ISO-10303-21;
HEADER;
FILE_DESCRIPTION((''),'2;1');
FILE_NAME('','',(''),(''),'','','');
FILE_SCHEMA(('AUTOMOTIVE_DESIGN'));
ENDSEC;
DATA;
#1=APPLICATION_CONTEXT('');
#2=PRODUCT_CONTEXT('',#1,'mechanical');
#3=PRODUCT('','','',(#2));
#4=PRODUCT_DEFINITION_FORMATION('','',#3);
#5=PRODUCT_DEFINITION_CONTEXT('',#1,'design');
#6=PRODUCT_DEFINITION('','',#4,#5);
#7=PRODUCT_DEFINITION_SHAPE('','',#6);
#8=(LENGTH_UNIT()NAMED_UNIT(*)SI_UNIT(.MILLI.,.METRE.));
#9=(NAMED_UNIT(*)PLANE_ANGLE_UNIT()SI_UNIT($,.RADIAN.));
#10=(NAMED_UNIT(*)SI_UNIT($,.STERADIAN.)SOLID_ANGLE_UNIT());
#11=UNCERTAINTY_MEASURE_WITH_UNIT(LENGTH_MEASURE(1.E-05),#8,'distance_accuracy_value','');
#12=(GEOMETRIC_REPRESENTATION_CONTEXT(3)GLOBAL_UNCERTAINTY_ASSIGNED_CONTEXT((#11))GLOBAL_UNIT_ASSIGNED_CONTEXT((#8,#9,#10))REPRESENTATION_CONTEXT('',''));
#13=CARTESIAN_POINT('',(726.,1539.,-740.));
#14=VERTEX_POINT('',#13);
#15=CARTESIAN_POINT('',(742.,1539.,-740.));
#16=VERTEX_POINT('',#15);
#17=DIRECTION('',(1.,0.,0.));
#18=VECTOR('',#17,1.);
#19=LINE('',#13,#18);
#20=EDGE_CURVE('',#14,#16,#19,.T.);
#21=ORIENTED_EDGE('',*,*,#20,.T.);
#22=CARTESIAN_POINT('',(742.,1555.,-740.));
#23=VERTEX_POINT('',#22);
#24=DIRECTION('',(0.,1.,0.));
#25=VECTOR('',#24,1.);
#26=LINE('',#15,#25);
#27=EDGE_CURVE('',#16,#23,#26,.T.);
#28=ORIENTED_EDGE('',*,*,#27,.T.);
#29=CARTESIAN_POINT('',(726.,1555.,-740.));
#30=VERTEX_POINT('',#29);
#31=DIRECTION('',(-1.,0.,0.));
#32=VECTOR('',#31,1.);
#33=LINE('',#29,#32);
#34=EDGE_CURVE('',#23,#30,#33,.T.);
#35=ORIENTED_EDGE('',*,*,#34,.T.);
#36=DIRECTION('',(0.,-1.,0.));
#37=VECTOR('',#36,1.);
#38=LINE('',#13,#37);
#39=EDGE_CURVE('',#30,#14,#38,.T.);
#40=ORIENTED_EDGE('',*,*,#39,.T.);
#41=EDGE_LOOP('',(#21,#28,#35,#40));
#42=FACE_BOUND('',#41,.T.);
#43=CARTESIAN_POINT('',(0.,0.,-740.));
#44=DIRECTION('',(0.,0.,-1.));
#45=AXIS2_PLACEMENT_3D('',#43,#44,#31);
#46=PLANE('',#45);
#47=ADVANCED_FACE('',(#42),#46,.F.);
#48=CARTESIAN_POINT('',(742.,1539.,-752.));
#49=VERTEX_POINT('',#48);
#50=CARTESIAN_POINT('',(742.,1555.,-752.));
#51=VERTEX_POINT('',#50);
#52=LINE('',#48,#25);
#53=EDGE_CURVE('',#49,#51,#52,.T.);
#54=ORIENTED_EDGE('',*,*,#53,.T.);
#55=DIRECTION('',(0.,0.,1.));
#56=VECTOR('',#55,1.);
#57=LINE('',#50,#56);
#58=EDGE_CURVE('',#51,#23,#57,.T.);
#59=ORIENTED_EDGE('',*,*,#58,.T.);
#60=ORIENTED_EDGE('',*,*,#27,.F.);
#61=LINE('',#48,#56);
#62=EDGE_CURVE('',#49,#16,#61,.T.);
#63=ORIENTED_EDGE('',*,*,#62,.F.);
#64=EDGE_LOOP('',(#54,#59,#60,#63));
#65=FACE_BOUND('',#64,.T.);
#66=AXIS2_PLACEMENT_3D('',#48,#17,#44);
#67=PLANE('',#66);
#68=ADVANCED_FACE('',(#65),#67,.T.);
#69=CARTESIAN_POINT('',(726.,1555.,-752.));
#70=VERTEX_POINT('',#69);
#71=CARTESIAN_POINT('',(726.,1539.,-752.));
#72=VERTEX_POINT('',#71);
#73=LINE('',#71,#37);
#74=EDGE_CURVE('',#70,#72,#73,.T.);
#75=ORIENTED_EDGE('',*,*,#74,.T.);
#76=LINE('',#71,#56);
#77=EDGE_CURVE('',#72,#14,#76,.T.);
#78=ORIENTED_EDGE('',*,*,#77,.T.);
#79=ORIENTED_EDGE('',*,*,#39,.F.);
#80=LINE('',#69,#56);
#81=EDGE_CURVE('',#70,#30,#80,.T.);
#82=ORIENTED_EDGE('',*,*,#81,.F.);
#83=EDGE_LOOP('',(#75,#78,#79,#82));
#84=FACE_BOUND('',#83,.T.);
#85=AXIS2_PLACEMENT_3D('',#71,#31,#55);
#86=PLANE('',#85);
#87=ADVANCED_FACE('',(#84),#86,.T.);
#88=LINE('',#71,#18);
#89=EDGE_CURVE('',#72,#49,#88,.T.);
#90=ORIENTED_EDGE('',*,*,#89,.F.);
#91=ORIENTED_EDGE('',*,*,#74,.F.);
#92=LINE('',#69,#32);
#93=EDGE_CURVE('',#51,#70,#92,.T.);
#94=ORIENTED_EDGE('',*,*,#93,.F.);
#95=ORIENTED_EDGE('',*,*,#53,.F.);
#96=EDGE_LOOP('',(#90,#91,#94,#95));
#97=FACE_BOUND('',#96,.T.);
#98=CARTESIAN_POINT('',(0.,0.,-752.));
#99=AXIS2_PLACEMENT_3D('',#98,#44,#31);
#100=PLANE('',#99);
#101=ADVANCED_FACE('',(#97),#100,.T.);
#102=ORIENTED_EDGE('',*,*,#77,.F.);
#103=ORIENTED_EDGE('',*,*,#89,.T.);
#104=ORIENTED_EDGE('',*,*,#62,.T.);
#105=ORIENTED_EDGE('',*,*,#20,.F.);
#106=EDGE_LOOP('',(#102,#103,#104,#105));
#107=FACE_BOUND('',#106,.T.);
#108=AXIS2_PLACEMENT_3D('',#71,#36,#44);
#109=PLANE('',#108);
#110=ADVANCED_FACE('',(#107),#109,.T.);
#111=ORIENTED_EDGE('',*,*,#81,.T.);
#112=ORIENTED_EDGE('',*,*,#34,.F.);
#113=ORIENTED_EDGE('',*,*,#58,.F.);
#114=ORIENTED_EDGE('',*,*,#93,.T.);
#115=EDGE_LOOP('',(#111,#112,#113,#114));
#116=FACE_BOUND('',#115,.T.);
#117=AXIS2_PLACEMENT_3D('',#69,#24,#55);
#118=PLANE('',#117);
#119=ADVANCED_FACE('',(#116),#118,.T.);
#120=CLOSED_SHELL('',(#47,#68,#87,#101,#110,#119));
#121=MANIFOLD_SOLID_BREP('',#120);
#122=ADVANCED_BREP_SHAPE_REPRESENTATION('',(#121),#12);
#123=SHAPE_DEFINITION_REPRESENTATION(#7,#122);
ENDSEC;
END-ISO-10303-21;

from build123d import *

# Parameters (mm, degrees)
DET_MOTORLU_RAY_M12_SOKET_1_START = -740
SKETCH1_W                         = 16
SKETCH1_H                         = 16
DET_MOTORLU_RAY_M12_SOKET_1_DEPTH = 12


with BuildPart() as part:
    # Sketch1 → DET_MOTORLU_RAY_M12_soket_1 (new body)
    with BuildSketch(Plane.XY.offset(DET_MOTORLU_RAY_M12_SOKET_1_START)):
        with Locations((734, 1547)):
            Rectangle(SKETCH1_W, SKETCH1_H)
    extrude(amount=-DET_MOTORLU_RAY_M12_SOKET_1_DEPTH)


solid = part.part
